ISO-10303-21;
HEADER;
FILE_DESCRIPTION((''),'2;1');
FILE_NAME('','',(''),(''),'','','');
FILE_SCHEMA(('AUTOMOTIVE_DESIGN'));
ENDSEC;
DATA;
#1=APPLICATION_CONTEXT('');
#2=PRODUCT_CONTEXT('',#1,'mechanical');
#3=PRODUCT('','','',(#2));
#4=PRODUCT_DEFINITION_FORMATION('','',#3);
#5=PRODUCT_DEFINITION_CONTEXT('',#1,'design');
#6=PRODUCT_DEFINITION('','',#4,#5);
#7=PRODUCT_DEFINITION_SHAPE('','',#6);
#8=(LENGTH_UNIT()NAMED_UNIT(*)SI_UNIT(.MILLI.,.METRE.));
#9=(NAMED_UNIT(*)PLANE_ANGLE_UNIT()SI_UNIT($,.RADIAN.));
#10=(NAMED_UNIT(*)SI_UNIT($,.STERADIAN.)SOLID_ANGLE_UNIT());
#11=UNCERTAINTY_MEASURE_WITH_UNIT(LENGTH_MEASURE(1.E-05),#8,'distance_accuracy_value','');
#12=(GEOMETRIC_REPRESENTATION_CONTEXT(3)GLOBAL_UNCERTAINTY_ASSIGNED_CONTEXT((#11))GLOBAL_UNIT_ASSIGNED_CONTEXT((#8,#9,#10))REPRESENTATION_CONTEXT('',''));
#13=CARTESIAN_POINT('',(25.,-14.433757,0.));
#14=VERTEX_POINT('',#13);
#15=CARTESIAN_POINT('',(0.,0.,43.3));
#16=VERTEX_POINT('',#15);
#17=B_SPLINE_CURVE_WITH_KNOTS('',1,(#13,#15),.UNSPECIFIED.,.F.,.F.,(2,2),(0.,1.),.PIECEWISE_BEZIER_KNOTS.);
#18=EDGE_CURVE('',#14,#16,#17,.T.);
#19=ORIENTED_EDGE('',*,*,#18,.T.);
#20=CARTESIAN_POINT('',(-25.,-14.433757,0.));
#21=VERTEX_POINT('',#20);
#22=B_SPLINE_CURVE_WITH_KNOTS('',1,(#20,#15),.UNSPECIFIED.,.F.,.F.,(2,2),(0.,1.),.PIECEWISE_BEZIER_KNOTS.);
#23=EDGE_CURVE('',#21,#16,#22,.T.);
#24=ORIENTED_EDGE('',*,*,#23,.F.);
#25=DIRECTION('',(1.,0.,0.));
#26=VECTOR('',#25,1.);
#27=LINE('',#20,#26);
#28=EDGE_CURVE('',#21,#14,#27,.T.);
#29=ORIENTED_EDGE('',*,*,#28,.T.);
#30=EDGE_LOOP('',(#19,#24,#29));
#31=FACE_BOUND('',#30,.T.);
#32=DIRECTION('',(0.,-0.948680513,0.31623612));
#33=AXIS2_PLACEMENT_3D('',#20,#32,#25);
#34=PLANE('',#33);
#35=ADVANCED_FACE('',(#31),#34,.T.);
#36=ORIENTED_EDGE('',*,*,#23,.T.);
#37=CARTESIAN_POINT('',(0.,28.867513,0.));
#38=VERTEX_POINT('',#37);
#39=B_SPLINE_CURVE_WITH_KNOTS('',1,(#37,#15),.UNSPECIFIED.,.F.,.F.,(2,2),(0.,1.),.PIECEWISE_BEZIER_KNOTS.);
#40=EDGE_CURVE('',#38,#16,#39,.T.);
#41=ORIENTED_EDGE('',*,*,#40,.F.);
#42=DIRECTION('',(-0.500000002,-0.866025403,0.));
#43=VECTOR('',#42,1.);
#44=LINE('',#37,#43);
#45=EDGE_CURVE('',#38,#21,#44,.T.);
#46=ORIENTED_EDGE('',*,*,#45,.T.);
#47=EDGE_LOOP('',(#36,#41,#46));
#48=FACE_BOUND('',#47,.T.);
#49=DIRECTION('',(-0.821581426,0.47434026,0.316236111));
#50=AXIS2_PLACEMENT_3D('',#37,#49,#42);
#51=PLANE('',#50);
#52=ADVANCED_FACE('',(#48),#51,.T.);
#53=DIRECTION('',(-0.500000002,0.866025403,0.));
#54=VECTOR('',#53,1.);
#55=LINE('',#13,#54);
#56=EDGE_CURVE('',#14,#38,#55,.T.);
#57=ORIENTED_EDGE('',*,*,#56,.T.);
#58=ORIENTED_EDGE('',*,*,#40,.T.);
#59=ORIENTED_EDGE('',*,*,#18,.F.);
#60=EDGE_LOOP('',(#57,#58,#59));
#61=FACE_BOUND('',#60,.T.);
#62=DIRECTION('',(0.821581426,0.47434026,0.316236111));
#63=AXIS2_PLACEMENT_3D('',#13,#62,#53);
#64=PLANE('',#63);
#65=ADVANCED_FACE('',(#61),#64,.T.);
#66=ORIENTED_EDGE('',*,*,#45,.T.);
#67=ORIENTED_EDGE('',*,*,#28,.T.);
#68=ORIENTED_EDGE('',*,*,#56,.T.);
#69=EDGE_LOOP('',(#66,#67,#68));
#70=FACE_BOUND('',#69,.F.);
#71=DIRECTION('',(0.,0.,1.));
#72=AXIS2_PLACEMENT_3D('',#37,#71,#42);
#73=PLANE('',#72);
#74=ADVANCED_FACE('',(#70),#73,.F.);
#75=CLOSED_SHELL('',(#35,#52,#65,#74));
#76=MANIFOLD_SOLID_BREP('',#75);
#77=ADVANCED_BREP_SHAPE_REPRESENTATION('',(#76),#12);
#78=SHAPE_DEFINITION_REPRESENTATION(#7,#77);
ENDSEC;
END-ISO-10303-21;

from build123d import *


with BuildPart() as f2:
    # F0 (on Top) → F2 section 0
    with BuildSketch(Plane.XY, mode=Mode.PRIVATE) as f2_s0:
        Polygon((0, 28.867513), (-25, -14.433757), (25, -14.433757), align=None)
    loft([f2_s0.sketch, Vertex(0, 0, 43.3)])


solid = f2.part
